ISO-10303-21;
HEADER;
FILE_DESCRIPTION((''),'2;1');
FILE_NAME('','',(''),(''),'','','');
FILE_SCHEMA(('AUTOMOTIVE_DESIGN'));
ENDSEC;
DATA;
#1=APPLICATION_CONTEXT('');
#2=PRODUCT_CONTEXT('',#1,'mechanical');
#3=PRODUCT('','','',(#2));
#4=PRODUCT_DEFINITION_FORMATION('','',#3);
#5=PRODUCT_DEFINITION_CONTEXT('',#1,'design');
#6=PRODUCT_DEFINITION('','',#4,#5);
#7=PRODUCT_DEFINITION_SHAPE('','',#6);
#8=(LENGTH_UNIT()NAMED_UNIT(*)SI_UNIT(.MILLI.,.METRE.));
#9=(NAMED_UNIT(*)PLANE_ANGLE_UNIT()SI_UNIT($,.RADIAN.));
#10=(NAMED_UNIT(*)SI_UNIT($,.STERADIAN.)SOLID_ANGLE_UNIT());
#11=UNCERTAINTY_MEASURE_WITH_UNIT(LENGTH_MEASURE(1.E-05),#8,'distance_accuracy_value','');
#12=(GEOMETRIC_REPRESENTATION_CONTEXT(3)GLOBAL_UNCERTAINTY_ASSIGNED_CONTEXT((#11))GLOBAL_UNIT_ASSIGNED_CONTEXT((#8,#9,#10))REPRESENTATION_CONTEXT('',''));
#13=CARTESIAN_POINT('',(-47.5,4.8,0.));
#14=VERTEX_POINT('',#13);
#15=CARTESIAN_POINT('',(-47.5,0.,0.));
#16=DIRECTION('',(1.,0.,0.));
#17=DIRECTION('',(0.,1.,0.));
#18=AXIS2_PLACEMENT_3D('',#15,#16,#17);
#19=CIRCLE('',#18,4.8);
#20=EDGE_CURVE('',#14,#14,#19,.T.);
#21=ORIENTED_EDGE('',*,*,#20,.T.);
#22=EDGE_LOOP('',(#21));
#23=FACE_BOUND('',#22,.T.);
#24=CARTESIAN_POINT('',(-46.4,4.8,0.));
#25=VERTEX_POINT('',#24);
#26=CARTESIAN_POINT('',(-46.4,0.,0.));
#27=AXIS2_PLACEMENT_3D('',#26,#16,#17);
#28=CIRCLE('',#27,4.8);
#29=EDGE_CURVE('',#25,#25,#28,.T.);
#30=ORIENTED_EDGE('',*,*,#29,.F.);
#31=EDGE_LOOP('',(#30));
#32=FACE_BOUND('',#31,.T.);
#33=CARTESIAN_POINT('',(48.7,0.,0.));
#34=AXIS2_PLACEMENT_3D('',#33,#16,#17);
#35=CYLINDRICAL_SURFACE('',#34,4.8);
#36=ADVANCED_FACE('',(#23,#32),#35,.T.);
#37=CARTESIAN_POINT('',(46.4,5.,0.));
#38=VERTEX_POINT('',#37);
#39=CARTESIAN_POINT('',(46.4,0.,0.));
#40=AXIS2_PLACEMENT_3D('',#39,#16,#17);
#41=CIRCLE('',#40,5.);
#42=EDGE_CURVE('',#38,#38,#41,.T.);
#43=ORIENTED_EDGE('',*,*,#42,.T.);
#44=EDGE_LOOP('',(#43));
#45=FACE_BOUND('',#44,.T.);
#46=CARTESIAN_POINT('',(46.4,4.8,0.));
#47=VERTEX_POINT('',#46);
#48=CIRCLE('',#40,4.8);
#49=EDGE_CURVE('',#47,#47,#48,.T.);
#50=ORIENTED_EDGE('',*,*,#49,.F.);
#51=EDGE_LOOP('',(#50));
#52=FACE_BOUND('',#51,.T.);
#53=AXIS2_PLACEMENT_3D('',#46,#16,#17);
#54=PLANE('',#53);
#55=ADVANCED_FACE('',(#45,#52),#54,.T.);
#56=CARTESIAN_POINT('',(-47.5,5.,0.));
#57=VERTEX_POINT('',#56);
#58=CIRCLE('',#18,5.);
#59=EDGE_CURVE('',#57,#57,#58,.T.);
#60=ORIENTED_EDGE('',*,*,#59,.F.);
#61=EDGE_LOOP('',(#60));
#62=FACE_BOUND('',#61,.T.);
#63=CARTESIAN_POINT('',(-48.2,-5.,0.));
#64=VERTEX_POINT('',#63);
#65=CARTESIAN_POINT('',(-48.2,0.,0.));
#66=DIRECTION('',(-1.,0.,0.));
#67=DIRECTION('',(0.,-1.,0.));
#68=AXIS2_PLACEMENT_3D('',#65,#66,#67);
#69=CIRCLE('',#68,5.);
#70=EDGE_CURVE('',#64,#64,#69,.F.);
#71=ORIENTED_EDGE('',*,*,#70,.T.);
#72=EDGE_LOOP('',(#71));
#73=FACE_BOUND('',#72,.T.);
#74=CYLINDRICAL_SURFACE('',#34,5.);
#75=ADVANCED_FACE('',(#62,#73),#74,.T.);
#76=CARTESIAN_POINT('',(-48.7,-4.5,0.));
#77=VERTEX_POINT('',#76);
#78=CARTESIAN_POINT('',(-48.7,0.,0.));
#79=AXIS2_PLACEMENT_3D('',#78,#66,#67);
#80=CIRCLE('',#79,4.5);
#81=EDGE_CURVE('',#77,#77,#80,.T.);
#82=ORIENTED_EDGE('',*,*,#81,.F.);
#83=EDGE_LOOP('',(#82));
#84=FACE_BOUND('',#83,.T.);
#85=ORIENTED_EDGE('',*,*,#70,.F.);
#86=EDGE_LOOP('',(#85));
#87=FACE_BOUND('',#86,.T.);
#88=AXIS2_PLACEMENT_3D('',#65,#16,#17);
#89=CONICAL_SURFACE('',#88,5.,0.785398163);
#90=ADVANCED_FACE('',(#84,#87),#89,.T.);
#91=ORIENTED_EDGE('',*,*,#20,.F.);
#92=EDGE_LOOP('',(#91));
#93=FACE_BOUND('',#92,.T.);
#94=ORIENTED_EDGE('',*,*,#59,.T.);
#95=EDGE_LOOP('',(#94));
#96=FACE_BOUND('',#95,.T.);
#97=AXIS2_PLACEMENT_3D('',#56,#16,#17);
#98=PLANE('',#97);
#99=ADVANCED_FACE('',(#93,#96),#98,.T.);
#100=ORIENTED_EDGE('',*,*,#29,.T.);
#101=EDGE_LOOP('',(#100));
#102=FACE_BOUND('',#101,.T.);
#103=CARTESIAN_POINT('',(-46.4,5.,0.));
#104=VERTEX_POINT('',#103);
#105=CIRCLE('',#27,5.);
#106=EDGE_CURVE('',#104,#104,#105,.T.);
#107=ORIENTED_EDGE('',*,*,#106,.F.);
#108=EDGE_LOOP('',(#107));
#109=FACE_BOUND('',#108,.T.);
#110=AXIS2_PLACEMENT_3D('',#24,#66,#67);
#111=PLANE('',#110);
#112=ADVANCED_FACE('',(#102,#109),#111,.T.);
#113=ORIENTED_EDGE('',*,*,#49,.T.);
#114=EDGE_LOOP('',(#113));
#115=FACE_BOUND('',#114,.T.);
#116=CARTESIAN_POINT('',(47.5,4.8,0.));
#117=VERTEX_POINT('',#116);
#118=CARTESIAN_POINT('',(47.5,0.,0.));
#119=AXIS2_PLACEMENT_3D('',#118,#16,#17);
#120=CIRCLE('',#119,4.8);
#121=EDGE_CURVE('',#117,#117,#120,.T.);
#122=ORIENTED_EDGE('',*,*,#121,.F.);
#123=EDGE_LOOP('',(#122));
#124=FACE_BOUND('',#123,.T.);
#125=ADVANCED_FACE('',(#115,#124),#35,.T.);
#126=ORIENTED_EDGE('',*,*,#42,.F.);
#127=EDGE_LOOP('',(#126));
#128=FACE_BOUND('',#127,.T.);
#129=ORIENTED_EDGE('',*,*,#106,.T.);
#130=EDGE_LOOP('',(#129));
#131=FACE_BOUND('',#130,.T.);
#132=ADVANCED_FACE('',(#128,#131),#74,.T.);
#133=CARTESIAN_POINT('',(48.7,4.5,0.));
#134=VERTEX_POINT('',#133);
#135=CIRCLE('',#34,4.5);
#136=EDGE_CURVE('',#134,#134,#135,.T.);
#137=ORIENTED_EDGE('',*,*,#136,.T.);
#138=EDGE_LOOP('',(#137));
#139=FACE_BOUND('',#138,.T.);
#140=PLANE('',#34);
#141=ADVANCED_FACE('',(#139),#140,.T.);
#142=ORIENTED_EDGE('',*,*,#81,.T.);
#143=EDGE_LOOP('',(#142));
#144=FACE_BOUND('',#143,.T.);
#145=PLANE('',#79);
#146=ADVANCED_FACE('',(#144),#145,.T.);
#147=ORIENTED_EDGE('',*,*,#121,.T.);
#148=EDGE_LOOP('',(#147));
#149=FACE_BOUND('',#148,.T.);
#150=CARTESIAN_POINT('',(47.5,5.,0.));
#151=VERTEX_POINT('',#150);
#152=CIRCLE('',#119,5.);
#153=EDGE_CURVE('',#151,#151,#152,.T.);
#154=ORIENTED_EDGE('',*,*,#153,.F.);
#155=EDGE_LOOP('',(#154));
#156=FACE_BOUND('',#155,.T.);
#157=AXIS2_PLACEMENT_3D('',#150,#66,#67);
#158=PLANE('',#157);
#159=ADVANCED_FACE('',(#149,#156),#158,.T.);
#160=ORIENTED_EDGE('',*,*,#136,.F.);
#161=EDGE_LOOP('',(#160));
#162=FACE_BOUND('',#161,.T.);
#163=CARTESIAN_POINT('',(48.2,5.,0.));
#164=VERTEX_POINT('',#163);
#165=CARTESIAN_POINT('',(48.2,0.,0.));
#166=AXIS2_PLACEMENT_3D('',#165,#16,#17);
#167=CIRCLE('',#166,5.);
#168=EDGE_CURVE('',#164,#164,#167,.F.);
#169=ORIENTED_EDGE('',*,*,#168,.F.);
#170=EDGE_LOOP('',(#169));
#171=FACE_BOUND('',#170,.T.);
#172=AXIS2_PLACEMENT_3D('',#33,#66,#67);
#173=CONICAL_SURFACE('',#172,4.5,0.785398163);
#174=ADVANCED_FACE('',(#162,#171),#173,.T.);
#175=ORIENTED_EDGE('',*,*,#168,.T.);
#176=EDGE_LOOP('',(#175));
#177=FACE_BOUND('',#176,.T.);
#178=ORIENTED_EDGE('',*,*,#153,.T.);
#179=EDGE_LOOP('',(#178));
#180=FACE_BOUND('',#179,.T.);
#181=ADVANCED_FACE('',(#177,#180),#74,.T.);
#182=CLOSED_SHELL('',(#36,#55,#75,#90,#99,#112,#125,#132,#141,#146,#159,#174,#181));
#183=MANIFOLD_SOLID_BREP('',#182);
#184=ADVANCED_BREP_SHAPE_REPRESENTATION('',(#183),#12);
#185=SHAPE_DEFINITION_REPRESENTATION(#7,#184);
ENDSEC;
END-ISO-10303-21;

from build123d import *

# Parameters (mm, degrees)
CHAMFER_1_SIZE = 0.5


with BuildPart() as part:
    # 草图1 → 旋转1 (revolve)
    with BuildSketch(Plane.XY):
        Polygon((48.7, 0), (48.7, 5), (47.5, 5), (47.5, 4.8), (46.4, 4.8), (46.4, 5), (-46.4, 5), (-46.4, 4.8), (-47.5, 4.8), (-47.5, 5), (-48.7, 5), (-48.7, 0), align=None)
    revolve(axis=Axis((48.7, 0, 0), (-1, 0, 0)))

    # 倒角1
    chamfer_1_edges = [part.edges().sort_by_distance(p)[0] for p in [
        (-48.7, -5, 0),
        (48.7, -5, 0),
    ]]
    chamfer(chamfer_1_edges, length=CHAMFER_1_SIZE)


solid = part.part
